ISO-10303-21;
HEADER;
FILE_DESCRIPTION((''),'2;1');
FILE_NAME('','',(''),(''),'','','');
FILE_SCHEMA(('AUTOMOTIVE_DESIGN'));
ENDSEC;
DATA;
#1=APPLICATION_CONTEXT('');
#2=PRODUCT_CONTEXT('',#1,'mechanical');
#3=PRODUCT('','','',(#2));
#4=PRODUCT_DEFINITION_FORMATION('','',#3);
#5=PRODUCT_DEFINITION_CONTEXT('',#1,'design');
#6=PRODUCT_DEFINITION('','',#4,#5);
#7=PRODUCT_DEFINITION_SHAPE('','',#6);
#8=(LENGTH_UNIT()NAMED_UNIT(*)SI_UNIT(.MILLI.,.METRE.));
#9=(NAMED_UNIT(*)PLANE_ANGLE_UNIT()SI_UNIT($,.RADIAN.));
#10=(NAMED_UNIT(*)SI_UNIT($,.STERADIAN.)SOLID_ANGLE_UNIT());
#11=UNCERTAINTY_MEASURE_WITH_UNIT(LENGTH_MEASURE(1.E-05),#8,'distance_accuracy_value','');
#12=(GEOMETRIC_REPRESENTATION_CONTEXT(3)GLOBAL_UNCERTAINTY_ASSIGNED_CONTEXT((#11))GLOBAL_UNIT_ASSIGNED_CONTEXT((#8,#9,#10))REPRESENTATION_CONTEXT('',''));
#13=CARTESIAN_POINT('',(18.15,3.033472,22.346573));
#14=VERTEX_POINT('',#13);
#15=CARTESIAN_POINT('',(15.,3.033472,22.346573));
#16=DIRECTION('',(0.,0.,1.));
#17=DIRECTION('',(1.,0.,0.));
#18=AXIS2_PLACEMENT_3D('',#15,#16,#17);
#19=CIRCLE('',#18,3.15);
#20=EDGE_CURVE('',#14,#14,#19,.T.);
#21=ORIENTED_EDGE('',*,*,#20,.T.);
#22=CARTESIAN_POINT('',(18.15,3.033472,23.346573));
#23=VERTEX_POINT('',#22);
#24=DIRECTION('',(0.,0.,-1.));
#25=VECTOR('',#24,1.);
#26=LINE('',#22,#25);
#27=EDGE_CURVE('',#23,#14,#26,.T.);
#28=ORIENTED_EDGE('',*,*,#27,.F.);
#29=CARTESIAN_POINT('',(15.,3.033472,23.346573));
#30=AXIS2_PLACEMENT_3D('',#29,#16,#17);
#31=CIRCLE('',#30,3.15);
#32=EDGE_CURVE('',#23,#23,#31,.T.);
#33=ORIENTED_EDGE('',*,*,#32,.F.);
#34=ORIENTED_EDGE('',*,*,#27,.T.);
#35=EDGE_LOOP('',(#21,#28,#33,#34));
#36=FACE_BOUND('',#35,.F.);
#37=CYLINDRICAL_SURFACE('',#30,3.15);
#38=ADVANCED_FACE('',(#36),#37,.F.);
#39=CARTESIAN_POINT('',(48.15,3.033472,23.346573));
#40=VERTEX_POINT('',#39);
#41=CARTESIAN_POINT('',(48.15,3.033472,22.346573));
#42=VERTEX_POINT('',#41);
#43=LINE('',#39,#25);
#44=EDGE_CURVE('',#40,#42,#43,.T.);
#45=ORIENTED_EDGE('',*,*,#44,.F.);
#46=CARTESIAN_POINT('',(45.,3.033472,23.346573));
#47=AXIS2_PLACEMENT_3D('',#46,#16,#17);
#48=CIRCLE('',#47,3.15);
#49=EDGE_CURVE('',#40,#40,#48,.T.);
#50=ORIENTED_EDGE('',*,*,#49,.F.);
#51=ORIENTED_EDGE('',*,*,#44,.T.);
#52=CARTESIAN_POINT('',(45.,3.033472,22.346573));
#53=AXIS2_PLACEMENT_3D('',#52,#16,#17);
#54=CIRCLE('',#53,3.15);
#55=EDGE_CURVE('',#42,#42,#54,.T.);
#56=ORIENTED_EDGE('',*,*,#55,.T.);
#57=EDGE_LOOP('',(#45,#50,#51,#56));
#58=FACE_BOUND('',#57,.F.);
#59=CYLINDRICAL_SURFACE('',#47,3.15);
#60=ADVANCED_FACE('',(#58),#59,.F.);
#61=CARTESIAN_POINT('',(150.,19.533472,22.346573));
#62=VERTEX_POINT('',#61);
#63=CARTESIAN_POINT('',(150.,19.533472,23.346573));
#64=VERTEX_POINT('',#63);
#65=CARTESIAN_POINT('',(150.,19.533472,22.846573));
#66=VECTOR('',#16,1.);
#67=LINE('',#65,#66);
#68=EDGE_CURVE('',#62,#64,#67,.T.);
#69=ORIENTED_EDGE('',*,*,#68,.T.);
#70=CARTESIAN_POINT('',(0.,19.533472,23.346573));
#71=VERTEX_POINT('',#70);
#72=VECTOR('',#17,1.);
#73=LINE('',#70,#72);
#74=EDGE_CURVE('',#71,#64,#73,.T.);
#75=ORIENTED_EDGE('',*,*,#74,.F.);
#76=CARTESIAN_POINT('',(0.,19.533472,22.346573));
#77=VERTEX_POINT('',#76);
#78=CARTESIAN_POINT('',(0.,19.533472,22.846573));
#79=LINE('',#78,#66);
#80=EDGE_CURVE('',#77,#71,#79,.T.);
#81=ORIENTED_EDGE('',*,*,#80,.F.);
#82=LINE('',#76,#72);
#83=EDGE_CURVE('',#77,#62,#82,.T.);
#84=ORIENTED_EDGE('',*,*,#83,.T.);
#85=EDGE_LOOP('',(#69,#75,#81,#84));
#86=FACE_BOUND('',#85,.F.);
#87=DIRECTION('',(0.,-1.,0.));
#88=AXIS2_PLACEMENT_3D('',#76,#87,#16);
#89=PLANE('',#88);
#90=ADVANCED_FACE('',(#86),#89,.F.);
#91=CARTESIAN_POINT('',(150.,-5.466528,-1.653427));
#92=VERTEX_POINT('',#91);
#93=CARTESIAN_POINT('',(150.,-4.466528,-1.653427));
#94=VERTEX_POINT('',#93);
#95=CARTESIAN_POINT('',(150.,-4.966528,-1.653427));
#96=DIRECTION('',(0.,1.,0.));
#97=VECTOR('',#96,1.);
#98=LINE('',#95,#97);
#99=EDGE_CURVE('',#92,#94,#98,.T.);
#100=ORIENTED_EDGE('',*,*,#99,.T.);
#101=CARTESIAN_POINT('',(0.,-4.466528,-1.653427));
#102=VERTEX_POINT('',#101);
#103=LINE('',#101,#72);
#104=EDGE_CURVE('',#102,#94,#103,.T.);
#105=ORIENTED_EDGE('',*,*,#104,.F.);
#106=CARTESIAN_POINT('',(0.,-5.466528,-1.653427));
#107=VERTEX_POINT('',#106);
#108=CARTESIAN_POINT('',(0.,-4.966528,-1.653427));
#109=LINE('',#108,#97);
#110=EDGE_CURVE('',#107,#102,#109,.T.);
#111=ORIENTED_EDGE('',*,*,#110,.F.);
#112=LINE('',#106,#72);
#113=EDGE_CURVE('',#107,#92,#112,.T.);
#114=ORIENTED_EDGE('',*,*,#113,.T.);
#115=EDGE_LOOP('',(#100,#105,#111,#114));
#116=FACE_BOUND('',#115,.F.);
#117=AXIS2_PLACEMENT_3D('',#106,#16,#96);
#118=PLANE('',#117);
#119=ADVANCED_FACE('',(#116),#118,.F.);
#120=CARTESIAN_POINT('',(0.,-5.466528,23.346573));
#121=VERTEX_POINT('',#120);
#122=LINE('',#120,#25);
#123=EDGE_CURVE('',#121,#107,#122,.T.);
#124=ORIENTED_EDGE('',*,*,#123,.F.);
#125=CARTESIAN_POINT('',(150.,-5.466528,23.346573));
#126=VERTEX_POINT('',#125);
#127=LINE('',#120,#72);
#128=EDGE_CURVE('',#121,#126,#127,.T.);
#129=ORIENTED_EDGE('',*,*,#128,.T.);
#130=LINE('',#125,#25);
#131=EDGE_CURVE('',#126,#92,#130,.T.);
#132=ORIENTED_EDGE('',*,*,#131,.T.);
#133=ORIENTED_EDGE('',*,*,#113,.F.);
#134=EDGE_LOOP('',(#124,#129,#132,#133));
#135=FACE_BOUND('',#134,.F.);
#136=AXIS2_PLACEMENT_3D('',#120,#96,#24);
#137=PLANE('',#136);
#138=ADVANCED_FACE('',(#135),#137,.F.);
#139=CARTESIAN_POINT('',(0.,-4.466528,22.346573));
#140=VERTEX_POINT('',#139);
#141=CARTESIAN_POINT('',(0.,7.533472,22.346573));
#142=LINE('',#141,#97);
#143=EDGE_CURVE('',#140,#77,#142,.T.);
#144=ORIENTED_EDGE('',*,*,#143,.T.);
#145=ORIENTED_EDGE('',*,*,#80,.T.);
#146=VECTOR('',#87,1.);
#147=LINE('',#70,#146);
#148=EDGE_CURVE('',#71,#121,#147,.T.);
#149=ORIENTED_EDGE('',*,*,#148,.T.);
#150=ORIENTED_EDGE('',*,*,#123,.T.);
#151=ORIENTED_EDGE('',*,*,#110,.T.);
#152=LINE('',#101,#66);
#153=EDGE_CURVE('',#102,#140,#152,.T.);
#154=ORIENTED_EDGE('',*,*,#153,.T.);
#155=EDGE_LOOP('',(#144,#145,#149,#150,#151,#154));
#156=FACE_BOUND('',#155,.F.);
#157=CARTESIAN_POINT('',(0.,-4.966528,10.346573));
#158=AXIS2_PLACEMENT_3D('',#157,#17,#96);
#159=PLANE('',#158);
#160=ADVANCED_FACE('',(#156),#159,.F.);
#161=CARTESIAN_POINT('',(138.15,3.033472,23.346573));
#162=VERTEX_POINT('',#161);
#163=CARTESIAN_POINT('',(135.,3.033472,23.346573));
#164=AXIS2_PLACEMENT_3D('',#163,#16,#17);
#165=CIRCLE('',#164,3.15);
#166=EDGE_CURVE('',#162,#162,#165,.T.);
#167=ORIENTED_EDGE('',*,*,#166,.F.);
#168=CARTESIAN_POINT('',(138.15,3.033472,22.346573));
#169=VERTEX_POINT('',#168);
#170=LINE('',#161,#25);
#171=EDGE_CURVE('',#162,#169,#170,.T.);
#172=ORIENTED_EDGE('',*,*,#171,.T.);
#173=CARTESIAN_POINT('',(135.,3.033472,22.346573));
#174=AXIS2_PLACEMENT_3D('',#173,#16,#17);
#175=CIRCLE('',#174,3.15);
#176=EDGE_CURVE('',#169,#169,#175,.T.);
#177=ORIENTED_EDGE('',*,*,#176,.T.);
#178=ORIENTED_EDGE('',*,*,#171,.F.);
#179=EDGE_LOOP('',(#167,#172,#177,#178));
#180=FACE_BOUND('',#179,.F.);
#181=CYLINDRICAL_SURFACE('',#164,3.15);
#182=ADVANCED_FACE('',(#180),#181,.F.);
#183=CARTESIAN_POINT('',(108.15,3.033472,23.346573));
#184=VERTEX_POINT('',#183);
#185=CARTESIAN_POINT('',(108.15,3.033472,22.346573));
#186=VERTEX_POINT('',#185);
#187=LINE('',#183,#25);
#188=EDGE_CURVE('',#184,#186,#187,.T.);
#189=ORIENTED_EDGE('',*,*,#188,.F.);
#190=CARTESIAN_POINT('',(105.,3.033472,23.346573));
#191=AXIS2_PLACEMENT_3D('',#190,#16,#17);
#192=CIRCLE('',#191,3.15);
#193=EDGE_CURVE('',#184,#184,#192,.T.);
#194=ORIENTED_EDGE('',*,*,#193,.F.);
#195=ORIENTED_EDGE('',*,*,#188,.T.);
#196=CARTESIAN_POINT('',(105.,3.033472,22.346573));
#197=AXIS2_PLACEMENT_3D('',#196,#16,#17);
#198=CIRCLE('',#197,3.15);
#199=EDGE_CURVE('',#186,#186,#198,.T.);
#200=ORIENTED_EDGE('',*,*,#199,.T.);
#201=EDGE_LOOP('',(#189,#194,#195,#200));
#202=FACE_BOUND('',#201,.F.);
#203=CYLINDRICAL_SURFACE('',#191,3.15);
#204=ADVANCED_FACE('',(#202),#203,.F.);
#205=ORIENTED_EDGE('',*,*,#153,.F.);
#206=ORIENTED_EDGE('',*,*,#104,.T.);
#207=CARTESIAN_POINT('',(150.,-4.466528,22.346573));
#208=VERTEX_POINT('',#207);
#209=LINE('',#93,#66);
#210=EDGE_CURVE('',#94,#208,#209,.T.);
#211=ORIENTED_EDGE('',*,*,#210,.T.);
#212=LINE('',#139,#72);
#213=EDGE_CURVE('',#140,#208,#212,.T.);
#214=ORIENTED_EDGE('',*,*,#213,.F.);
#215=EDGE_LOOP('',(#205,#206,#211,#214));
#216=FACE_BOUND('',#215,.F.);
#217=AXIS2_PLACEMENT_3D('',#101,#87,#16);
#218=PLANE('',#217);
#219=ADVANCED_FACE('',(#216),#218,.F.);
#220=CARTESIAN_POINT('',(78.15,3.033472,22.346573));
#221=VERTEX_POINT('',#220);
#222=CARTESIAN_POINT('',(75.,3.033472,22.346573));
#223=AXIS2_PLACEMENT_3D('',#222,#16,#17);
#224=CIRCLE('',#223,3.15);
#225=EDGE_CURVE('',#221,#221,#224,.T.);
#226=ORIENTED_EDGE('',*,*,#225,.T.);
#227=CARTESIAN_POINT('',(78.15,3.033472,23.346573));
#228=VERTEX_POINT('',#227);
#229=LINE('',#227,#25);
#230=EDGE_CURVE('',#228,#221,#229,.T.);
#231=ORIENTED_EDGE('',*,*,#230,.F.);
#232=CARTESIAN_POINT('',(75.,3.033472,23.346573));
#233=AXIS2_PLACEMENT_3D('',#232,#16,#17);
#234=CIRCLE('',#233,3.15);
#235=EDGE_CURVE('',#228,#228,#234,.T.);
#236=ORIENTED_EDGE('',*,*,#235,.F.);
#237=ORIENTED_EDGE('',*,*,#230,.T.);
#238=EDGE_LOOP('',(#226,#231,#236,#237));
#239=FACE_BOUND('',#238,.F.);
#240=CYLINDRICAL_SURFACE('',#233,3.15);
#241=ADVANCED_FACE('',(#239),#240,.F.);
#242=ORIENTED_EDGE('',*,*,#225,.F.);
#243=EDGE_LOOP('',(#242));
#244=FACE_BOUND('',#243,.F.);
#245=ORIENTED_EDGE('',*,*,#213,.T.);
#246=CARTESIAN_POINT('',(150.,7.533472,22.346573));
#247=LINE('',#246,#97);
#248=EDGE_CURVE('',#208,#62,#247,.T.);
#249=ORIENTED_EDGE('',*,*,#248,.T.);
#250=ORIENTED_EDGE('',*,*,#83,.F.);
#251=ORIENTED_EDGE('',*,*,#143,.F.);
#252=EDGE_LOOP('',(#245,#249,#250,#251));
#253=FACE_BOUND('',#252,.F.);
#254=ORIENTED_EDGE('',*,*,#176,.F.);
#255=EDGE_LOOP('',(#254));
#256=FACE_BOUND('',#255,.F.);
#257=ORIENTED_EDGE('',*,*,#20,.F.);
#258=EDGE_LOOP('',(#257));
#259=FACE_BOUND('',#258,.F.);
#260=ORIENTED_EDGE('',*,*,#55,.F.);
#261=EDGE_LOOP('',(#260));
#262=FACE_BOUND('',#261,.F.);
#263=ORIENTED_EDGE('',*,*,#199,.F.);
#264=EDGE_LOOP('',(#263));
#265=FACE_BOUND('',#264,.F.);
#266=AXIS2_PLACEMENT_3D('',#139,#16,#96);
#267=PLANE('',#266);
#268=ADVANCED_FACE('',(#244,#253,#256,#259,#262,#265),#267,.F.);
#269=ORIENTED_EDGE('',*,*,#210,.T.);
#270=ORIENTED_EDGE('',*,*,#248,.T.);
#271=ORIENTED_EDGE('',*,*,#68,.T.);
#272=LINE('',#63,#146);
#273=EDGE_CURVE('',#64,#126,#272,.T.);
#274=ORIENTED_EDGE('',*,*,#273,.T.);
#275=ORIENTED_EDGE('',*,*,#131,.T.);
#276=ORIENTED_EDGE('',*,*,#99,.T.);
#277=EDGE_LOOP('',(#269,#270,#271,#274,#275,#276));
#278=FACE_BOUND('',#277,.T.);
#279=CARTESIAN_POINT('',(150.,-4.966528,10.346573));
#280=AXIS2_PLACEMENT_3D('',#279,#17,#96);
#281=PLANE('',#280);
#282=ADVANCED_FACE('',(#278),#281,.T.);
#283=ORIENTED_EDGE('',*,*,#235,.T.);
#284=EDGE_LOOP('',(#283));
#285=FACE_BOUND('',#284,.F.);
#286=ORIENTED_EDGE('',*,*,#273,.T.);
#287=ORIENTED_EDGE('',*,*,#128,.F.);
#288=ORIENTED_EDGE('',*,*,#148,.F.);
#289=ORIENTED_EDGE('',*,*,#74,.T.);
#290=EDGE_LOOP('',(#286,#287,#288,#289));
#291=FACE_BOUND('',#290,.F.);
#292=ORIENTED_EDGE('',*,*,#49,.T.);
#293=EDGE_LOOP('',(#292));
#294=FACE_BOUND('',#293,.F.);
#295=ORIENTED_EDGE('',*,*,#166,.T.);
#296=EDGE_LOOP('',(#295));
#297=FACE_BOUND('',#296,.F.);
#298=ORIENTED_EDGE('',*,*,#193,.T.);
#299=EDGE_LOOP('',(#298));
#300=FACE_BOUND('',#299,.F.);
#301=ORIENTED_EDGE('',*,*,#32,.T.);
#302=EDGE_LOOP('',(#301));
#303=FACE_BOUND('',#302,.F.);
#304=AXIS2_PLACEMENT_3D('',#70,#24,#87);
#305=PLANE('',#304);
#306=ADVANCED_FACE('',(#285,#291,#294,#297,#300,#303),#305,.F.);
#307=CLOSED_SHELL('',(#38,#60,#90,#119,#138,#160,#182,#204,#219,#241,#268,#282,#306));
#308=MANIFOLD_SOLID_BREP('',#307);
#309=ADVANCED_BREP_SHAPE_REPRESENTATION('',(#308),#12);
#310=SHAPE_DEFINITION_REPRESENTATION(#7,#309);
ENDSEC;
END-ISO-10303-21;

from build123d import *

# Parameters (mm, degrees)
F0_W     = 1
F0_H     = 24
F0_H_2   = 1
F0_W_2   = 24
F1_DEPTH = 150
F2_R     = 3.15
F3_DEPTH = 1


with BuildPart() as f1:
    # F0 (on Right) → F1 (new body)
    with BuildSketch(Plane.YZ):
        with Locations((-4.966528, 10.346573)):
            Rectangle(F0_W, F0_H)
        with Locations((-4.966528, 22.846573)):
            Rectangle(F0_W, F0_H_2)
        with Locations((7.533472, 22.846573)):
            Rectangle(F0_W_2, F0_H_2)
    extrude(amount=F1_DEPTH)

    # F2 (on face) → F3 (cut)
    with BuildSketch(Plane.XY.offset(23.346573)):
        with Locations((15, 3.033472)):
            Circle(F2_R)
        with Locations((45, 3.033472)):
            Circle(F2_R)
        with Locations((75, 3.033472)):
            Circle(F2_R)
        with Locations((105, 3.033472)):
            Circle(F2_R)
        with Locations((135, 3.033472)):
            Circle(F2_R)
    extrude(amount=-F3_DEPTH, mode=Mode.SUBTRACT)


solid = f1.part
